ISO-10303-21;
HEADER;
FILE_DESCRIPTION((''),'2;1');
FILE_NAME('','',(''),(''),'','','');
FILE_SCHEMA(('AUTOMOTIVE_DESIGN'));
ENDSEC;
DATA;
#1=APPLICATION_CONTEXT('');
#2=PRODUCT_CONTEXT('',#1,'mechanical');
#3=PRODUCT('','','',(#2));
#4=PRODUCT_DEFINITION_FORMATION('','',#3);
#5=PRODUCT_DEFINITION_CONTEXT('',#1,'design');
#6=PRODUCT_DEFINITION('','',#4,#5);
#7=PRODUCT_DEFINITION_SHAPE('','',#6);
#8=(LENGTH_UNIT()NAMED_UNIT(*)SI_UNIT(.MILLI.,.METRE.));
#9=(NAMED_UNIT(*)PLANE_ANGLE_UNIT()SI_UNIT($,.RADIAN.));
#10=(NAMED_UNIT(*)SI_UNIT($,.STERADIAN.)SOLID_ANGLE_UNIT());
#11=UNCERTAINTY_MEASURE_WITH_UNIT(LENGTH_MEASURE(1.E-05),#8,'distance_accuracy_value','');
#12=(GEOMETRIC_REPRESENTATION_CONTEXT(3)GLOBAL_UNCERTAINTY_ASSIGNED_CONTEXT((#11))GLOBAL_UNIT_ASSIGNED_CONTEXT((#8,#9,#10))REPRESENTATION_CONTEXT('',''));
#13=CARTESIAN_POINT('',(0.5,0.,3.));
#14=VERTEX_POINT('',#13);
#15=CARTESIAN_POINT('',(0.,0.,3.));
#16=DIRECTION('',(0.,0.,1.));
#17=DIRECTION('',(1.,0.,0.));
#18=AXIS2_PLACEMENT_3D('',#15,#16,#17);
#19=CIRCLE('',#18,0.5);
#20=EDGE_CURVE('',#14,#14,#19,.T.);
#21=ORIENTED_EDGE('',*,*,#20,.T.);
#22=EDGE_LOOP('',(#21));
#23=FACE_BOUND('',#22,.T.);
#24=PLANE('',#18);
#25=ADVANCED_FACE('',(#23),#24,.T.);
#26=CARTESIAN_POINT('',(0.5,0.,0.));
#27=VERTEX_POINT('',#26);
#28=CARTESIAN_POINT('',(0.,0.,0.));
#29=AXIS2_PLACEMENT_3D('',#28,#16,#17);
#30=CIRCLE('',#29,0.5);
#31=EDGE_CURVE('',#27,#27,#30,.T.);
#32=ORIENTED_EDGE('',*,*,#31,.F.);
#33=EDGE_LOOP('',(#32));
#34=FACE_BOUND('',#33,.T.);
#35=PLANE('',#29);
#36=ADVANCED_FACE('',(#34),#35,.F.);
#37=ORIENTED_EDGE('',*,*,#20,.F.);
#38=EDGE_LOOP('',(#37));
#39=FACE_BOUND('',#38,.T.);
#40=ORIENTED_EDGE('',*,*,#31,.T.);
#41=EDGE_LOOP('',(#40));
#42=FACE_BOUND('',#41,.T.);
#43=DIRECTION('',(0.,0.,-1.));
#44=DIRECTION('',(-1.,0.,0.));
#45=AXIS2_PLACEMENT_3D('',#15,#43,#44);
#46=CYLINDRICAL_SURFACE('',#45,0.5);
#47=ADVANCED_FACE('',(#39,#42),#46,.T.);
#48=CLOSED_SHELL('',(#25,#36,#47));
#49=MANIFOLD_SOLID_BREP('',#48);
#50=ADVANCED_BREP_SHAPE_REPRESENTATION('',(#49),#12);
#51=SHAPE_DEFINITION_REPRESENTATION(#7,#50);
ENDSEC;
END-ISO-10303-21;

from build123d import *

# Parameters (mm, degrees)
CROQUIS1_R              = 0.5
SALIENTE_EXTRUIR1_DEPTH = 3


with BuildPart() as part:
    # Croquis1 → Saliente-Extruir1 (new body)
    with BuildSketch(Plane.XY):
        Circle(CROQUIS1_R)
    extrude(amount=SALIENTE_EXTRUIR1_DEPTH)


solid = part.part
